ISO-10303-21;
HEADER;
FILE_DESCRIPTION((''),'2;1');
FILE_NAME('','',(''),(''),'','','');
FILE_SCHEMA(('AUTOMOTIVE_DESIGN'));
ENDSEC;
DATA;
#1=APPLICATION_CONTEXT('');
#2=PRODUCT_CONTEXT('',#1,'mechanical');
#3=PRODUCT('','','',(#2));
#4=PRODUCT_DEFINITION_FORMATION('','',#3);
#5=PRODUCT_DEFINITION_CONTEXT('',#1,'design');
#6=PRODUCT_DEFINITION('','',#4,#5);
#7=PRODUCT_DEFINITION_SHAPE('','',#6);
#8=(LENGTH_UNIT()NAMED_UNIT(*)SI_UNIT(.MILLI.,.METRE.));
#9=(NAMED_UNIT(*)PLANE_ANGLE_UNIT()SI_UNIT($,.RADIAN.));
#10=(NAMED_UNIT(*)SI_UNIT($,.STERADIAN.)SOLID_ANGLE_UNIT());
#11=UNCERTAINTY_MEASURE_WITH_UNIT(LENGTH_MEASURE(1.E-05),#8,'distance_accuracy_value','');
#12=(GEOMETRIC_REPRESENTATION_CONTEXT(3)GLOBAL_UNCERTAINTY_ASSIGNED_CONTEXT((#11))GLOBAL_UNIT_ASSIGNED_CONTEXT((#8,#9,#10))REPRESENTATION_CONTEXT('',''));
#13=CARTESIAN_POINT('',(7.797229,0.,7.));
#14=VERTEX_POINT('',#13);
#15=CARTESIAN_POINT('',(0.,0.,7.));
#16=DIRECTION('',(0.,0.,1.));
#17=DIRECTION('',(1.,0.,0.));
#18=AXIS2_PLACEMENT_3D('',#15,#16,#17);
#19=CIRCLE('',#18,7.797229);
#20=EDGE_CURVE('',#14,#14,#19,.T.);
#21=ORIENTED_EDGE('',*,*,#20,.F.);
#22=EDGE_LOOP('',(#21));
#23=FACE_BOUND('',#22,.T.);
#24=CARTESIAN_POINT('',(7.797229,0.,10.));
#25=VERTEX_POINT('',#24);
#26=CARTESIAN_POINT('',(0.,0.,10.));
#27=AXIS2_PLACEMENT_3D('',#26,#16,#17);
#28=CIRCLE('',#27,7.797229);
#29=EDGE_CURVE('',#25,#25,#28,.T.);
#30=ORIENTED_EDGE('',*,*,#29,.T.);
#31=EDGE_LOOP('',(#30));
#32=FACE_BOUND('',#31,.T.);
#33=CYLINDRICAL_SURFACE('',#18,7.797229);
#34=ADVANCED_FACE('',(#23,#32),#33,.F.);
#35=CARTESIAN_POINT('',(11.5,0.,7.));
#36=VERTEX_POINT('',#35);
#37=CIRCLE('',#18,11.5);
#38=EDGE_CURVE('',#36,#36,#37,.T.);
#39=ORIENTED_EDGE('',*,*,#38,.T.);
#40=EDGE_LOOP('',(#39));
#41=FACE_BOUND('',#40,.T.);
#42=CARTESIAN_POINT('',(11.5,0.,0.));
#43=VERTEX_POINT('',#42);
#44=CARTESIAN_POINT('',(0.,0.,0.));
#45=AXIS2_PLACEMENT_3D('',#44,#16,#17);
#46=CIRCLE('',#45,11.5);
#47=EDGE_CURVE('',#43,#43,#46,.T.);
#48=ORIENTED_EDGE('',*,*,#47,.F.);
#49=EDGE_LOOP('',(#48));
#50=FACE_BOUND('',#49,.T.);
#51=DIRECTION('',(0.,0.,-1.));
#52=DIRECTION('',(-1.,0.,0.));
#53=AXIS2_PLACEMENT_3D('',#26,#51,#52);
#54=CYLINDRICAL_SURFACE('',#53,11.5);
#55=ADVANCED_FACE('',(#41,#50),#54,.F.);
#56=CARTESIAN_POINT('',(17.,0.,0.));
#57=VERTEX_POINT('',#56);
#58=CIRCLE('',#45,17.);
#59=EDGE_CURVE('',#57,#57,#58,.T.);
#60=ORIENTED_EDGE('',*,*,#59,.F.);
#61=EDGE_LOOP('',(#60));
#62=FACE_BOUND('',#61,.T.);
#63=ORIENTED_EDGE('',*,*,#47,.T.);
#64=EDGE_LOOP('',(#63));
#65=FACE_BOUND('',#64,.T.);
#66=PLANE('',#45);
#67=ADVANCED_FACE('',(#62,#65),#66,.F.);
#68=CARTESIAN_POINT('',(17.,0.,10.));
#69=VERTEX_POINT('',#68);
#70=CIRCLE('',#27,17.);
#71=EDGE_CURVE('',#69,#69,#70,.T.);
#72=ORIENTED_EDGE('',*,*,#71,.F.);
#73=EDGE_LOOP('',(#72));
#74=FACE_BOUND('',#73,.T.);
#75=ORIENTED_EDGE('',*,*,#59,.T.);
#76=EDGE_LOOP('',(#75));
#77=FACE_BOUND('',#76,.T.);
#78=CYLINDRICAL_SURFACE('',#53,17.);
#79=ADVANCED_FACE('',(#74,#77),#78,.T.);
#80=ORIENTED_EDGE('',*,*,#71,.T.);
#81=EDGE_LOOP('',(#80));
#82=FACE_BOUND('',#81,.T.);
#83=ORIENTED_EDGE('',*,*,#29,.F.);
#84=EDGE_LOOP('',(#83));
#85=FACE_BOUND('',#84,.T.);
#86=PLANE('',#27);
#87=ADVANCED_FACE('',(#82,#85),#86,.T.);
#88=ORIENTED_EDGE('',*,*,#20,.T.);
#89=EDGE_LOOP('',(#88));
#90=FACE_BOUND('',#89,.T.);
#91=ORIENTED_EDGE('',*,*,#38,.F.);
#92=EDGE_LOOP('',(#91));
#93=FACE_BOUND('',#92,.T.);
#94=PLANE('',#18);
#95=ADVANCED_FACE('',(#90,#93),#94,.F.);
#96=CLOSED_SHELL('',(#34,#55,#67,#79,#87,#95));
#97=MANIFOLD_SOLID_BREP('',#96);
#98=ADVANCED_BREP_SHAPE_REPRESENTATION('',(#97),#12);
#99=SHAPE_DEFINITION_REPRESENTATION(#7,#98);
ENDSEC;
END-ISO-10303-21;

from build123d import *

# Parameters (mm, degrees)
SKETCH_1_R      = 17
SKETCH_1_R_2    = 11.5
EXTRUDE_1_DEPTH = 10
EXTRUDE_START   = -3
SKETCH_2_R      = 11.5
SKETCH_2_R_2    = 7.797228866
EXTRUDE_2_DEPTH = 3


with BuildPart() as part:
    # Эскиз1 → Бобышка-Вытянуть1 (new body)
    with BuildSketch(Plane.XY):
        Circle(SKETCH_1_R)
        Circle(SKETCH_1_R_2, mode=Mode.SUBTRACT)
    extrude(amount=EXTRUDE_1_DEPTH)

    # Эскиз2 → Бобышка-Вытянуть2 (add)
    with BuildSketch(Plane.XY.offset(10).offset(EXTRUDE_START)):
        Circle(SKETCH_2_R)
        Circle(SKETCH_2_R_2, mode=Mode.SUBTRACT)
    extrude(amount=EXTRUDE_2_DEPTH)


solid = part.part
